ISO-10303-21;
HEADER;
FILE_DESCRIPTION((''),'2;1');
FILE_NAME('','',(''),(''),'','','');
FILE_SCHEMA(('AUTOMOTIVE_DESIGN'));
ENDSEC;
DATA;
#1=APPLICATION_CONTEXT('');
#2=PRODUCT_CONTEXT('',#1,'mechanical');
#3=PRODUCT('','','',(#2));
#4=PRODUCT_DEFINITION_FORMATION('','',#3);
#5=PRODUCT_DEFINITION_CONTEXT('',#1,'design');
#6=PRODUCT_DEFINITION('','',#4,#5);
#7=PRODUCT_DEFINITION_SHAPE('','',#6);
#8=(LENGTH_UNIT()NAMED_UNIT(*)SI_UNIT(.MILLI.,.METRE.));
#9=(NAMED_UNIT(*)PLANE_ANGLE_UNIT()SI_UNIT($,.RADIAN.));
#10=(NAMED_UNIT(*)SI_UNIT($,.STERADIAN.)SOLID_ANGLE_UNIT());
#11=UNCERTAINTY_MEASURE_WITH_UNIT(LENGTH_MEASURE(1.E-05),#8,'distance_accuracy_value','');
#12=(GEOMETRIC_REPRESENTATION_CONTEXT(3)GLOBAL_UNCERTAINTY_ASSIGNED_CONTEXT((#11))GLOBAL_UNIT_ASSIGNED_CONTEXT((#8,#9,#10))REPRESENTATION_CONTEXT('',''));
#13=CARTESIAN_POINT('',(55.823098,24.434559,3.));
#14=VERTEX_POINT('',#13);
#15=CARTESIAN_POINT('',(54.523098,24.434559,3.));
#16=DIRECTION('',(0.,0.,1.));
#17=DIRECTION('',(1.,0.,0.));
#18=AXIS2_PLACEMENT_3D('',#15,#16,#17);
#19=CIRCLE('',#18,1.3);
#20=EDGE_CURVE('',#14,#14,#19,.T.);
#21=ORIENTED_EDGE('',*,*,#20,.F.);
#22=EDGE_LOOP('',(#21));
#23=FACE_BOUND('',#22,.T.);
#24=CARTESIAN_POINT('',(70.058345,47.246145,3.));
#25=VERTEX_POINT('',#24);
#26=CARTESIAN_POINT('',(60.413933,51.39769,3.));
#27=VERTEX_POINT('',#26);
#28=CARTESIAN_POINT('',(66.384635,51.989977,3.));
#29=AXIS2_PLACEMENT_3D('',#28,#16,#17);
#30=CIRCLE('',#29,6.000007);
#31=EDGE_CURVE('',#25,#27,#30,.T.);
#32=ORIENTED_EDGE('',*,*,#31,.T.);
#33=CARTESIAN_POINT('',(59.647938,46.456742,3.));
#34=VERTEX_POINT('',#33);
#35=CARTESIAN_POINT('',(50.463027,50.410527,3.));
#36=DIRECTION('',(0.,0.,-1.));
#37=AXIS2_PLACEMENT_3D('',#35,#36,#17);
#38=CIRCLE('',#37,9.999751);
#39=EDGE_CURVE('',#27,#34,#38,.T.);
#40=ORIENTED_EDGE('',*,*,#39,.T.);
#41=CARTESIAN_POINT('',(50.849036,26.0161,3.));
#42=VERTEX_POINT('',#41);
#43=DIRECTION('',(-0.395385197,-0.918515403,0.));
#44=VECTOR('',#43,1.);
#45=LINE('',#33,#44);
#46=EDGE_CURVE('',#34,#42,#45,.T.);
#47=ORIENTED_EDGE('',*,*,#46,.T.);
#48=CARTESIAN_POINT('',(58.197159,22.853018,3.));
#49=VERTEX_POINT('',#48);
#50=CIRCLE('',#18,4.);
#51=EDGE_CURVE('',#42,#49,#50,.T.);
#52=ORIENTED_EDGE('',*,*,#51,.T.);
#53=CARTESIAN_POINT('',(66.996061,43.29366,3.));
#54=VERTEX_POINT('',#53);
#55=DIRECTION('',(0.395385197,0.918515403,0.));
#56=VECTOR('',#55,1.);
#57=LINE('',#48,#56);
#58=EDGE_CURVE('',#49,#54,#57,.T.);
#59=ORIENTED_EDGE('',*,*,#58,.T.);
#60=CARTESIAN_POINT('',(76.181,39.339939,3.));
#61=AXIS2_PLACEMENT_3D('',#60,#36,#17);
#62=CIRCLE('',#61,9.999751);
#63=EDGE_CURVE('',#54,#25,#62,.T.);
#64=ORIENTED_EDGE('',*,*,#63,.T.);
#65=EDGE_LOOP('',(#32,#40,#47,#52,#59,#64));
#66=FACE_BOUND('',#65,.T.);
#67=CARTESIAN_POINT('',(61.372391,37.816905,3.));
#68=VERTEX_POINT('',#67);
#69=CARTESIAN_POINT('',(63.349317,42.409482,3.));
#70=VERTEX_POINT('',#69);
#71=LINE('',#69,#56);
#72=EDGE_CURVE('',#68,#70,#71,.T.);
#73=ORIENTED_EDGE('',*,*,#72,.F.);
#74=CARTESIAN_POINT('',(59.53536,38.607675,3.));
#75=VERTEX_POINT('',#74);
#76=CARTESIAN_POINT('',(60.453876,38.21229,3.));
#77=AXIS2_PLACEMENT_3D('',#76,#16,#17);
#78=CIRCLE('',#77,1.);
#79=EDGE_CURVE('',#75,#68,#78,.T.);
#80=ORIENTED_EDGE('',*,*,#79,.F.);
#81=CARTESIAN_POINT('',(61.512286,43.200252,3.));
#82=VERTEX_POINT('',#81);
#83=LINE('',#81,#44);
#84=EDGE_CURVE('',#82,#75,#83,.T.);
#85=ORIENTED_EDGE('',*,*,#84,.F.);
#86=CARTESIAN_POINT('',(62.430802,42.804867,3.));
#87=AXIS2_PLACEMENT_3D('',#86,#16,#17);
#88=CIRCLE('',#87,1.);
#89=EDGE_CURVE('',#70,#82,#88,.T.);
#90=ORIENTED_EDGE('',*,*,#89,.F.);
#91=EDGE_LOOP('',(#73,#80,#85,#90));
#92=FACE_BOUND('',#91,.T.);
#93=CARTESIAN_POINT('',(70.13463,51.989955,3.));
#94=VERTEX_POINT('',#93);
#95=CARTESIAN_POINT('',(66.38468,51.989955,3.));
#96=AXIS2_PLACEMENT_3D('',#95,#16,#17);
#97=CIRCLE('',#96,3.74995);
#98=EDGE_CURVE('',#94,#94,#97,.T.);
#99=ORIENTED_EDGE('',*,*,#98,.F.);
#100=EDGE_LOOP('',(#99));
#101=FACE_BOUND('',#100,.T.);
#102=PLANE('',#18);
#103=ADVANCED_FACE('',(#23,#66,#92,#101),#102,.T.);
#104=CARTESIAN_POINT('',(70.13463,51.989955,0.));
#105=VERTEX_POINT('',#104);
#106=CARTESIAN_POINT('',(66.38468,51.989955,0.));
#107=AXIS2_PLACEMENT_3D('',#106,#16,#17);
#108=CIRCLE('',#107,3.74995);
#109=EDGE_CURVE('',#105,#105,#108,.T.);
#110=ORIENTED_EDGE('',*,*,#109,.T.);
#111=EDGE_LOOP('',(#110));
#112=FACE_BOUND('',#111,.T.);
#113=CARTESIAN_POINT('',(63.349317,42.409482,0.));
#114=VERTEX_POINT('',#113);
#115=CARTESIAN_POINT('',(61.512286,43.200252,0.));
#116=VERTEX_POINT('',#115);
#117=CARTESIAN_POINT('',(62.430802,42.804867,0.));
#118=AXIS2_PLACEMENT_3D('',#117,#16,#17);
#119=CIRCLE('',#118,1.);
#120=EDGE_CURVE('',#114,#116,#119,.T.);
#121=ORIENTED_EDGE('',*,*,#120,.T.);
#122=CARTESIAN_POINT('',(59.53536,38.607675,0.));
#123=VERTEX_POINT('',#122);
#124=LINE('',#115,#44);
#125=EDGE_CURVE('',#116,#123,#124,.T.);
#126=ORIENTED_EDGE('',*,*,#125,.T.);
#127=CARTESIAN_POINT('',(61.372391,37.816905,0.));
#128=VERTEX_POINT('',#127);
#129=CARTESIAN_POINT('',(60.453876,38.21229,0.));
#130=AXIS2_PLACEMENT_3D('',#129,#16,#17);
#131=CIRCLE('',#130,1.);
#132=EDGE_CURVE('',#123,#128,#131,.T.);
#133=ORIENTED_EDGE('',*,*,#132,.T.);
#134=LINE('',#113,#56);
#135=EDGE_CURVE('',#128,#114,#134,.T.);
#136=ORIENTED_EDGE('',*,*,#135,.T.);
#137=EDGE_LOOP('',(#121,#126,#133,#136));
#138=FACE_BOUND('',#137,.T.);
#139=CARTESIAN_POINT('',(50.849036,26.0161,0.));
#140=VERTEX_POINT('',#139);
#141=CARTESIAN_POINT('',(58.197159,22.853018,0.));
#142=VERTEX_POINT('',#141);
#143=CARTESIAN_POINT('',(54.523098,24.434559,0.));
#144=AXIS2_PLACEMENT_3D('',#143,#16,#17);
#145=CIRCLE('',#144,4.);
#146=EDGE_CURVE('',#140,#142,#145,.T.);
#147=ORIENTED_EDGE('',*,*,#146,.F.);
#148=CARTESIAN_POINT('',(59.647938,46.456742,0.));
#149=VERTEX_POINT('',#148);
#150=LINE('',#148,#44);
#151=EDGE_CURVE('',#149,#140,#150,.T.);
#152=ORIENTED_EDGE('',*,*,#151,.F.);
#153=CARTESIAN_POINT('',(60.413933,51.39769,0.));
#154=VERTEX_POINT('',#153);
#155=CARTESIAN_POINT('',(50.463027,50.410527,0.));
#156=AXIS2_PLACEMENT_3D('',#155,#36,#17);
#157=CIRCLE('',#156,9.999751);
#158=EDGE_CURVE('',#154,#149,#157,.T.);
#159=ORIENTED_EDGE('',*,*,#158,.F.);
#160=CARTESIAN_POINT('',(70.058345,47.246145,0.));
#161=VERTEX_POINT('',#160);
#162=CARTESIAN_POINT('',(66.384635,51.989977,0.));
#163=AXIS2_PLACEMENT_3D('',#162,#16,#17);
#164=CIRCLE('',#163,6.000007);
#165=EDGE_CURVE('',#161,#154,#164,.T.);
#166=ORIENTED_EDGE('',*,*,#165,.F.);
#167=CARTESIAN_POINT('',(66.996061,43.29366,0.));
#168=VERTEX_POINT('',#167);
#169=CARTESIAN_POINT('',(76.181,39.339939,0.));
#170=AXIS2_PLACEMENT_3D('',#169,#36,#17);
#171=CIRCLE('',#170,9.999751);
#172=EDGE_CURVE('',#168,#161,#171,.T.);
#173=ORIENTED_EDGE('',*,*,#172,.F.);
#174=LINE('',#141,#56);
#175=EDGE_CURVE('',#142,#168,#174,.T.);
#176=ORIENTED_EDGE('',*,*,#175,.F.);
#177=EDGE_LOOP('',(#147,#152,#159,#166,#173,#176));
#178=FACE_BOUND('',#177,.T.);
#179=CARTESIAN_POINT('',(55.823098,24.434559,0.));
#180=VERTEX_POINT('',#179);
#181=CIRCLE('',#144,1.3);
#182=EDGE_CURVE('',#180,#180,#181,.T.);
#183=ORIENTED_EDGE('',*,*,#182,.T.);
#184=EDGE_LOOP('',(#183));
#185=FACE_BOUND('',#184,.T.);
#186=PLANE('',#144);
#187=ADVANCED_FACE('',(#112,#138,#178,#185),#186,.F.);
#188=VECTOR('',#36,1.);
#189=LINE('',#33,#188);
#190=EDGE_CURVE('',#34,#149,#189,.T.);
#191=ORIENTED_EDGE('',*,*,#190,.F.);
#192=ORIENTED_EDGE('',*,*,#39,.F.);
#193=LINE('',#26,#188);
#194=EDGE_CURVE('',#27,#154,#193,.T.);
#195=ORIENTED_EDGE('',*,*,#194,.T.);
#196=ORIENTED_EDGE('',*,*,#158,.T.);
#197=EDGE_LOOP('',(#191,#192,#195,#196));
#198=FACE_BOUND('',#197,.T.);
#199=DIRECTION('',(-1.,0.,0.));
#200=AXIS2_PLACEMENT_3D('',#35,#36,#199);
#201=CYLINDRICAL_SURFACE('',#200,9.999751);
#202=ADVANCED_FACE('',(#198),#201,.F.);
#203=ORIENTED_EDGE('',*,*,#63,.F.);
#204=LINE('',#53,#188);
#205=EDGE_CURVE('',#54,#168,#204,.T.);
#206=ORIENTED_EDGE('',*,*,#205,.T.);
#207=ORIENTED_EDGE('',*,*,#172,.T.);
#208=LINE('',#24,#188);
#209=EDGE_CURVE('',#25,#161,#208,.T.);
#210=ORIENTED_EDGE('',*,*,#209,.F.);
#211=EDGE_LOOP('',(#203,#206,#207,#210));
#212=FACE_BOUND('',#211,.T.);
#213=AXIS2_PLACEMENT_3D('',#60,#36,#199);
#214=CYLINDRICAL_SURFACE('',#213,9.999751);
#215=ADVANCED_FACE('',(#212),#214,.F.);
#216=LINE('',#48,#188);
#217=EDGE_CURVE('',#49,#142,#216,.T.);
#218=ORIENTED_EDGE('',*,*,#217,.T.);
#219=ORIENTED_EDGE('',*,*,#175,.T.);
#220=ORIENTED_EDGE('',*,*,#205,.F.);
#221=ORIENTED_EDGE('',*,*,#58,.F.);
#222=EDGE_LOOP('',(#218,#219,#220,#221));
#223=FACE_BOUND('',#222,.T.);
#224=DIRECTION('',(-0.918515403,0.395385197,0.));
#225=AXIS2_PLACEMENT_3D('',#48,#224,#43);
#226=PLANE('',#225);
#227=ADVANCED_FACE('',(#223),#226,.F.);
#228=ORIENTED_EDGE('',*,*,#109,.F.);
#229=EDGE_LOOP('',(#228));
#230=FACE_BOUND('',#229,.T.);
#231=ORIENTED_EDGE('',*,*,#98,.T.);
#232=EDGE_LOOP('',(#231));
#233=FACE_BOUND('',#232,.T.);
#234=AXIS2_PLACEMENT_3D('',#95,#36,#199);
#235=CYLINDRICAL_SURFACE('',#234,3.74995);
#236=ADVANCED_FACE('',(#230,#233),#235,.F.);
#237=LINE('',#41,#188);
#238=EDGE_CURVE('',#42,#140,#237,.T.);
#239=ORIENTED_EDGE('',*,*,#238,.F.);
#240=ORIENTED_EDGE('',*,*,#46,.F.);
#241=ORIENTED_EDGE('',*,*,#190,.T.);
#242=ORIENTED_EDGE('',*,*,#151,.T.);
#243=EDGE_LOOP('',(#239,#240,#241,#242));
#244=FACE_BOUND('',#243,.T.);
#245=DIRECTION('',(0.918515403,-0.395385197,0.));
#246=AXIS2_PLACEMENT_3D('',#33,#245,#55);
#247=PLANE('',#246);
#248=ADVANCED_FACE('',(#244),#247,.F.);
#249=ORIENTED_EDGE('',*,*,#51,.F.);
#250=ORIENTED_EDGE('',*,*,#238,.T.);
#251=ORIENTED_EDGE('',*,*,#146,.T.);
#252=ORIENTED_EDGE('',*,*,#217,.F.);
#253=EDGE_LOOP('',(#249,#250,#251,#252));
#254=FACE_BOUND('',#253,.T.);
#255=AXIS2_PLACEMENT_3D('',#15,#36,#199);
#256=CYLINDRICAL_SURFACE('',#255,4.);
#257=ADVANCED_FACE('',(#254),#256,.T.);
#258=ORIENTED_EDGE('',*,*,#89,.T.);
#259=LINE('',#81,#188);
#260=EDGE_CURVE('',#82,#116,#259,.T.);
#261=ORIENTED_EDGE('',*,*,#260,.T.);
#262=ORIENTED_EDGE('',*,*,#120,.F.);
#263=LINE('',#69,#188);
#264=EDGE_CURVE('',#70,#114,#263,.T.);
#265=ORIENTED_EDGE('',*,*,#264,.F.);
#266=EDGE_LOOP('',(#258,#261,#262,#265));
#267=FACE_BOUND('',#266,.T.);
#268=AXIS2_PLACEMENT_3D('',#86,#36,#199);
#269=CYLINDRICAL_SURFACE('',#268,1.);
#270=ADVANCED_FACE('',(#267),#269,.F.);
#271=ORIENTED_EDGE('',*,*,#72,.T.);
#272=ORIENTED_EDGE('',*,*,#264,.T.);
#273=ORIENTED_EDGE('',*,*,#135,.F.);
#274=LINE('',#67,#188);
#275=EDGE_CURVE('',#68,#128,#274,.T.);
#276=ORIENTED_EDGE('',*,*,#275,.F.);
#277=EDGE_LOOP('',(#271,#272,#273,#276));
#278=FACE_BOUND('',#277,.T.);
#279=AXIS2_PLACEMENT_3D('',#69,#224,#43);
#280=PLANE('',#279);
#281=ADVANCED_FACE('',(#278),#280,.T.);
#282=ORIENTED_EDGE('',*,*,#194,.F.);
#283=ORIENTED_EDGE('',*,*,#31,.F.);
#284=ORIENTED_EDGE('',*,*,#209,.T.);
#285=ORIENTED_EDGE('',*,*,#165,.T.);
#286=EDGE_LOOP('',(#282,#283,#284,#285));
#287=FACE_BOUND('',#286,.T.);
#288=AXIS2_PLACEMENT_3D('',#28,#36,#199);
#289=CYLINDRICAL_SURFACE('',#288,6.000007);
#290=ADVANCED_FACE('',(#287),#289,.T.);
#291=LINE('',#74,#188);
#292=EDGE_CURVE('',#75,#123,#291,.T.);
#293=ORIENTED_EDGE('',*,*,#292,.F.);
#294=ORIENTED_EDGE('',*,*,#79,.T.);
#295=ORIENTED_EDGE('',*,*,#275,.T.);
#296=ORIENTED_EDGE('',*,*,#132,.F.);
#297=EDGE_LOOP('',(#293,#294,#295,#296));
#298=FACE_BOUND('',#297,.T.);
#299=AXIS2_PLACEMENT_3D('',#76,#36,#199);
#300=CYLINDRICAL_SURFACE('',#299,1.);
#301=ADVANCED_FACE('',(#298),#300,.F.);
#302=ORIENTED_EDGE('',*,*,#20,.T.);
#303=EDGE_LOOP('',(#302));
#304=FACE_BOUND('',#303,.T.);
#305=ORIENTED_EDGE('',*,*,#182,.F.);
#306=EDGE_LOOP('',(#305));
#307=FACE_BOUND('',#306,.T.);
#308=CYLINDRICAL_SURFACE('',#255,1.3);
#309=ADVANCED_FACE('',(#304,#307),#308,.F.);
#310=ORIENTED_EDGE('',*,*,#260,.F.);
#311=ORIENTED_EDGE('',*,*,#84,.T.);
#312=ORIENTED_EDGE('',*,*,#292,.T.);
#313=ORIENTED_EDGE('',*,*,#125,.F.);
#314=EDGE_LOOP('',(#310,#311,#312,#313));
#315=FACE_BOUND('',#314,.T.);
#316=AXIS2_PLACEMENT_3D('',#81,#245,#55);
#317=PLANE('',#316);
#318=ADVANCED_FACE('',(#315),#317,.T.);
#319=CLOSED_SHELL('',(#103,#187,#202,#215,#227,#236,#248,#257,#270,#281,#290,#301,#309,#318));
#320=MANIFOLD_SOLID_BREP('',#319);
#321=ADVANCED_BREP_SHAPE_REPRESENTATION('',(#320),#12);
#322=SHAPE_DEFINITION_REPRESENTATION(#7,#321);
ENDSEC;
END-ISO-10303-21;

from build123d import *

# Parameters (mm, degrees)
MODEL_R             = 1.3
MODEL_R_2           = 3.74995
BOSS_EXTRUDE1_DEPTH = 3


with BuildPart() as part:
    # Model → Boss-Extrude1 (new body)
    with BuildSketch(Plane.XY):
        with BuildLine():
            Line((59.647938224, 46.456741559), (50.84903604, 26.016099779))
            ThreePointArc((50.84903604, 26.016099779), (52.941556865, 20.760497372), (58.197159265, 22.8530182))
            Line((58.197159265, 22.8530182), (66.996061448, 43.293659979))
            ThreePointArc((66.996061448, 43.293659979), (68.276182261, 45.464386961), (70.05834452, 47.246145252))
            ThreePointArc((70.05834452, 47.246145252), (68.756948833, 57.501076502), (60.413932787, 51.397689825))
            ThreePointArc((60.413932787, 51.397689825), (60.344733109, 48.87856769), (59.647938224, 46.456741559))
        make_face()
        with Locations((54.523097656, 24.434558988)):
            Circle(MODEL_R, mode=Mode.SUBTRACT)
        with Locations((66.384679731, 51.989955386)):
            Circle(MODEL_R_2, mode=Mode.SUBTRACT)
        with BuildLine():
            Line((63.349317004, 42.409481853), (61.372391017, 37.816904838))
            ThreePointArc((61.372391017, 37.816904838), (60.058490416, 37.293774632), (59.535360211, 38.607675233))
            Line((59.535360211, 38.607675233), (61.512286198, 43.200252248))
            ThreePointArc((61.512286198, 43.200252248), (62.826186798, 43.723382454), (63.349317004, 42.409481853))
        make_face(mode=Mode.SUBTRACT)
    extrude(amount=BOSS_EXTRUDE1_DEPTH)


solid = part.part
